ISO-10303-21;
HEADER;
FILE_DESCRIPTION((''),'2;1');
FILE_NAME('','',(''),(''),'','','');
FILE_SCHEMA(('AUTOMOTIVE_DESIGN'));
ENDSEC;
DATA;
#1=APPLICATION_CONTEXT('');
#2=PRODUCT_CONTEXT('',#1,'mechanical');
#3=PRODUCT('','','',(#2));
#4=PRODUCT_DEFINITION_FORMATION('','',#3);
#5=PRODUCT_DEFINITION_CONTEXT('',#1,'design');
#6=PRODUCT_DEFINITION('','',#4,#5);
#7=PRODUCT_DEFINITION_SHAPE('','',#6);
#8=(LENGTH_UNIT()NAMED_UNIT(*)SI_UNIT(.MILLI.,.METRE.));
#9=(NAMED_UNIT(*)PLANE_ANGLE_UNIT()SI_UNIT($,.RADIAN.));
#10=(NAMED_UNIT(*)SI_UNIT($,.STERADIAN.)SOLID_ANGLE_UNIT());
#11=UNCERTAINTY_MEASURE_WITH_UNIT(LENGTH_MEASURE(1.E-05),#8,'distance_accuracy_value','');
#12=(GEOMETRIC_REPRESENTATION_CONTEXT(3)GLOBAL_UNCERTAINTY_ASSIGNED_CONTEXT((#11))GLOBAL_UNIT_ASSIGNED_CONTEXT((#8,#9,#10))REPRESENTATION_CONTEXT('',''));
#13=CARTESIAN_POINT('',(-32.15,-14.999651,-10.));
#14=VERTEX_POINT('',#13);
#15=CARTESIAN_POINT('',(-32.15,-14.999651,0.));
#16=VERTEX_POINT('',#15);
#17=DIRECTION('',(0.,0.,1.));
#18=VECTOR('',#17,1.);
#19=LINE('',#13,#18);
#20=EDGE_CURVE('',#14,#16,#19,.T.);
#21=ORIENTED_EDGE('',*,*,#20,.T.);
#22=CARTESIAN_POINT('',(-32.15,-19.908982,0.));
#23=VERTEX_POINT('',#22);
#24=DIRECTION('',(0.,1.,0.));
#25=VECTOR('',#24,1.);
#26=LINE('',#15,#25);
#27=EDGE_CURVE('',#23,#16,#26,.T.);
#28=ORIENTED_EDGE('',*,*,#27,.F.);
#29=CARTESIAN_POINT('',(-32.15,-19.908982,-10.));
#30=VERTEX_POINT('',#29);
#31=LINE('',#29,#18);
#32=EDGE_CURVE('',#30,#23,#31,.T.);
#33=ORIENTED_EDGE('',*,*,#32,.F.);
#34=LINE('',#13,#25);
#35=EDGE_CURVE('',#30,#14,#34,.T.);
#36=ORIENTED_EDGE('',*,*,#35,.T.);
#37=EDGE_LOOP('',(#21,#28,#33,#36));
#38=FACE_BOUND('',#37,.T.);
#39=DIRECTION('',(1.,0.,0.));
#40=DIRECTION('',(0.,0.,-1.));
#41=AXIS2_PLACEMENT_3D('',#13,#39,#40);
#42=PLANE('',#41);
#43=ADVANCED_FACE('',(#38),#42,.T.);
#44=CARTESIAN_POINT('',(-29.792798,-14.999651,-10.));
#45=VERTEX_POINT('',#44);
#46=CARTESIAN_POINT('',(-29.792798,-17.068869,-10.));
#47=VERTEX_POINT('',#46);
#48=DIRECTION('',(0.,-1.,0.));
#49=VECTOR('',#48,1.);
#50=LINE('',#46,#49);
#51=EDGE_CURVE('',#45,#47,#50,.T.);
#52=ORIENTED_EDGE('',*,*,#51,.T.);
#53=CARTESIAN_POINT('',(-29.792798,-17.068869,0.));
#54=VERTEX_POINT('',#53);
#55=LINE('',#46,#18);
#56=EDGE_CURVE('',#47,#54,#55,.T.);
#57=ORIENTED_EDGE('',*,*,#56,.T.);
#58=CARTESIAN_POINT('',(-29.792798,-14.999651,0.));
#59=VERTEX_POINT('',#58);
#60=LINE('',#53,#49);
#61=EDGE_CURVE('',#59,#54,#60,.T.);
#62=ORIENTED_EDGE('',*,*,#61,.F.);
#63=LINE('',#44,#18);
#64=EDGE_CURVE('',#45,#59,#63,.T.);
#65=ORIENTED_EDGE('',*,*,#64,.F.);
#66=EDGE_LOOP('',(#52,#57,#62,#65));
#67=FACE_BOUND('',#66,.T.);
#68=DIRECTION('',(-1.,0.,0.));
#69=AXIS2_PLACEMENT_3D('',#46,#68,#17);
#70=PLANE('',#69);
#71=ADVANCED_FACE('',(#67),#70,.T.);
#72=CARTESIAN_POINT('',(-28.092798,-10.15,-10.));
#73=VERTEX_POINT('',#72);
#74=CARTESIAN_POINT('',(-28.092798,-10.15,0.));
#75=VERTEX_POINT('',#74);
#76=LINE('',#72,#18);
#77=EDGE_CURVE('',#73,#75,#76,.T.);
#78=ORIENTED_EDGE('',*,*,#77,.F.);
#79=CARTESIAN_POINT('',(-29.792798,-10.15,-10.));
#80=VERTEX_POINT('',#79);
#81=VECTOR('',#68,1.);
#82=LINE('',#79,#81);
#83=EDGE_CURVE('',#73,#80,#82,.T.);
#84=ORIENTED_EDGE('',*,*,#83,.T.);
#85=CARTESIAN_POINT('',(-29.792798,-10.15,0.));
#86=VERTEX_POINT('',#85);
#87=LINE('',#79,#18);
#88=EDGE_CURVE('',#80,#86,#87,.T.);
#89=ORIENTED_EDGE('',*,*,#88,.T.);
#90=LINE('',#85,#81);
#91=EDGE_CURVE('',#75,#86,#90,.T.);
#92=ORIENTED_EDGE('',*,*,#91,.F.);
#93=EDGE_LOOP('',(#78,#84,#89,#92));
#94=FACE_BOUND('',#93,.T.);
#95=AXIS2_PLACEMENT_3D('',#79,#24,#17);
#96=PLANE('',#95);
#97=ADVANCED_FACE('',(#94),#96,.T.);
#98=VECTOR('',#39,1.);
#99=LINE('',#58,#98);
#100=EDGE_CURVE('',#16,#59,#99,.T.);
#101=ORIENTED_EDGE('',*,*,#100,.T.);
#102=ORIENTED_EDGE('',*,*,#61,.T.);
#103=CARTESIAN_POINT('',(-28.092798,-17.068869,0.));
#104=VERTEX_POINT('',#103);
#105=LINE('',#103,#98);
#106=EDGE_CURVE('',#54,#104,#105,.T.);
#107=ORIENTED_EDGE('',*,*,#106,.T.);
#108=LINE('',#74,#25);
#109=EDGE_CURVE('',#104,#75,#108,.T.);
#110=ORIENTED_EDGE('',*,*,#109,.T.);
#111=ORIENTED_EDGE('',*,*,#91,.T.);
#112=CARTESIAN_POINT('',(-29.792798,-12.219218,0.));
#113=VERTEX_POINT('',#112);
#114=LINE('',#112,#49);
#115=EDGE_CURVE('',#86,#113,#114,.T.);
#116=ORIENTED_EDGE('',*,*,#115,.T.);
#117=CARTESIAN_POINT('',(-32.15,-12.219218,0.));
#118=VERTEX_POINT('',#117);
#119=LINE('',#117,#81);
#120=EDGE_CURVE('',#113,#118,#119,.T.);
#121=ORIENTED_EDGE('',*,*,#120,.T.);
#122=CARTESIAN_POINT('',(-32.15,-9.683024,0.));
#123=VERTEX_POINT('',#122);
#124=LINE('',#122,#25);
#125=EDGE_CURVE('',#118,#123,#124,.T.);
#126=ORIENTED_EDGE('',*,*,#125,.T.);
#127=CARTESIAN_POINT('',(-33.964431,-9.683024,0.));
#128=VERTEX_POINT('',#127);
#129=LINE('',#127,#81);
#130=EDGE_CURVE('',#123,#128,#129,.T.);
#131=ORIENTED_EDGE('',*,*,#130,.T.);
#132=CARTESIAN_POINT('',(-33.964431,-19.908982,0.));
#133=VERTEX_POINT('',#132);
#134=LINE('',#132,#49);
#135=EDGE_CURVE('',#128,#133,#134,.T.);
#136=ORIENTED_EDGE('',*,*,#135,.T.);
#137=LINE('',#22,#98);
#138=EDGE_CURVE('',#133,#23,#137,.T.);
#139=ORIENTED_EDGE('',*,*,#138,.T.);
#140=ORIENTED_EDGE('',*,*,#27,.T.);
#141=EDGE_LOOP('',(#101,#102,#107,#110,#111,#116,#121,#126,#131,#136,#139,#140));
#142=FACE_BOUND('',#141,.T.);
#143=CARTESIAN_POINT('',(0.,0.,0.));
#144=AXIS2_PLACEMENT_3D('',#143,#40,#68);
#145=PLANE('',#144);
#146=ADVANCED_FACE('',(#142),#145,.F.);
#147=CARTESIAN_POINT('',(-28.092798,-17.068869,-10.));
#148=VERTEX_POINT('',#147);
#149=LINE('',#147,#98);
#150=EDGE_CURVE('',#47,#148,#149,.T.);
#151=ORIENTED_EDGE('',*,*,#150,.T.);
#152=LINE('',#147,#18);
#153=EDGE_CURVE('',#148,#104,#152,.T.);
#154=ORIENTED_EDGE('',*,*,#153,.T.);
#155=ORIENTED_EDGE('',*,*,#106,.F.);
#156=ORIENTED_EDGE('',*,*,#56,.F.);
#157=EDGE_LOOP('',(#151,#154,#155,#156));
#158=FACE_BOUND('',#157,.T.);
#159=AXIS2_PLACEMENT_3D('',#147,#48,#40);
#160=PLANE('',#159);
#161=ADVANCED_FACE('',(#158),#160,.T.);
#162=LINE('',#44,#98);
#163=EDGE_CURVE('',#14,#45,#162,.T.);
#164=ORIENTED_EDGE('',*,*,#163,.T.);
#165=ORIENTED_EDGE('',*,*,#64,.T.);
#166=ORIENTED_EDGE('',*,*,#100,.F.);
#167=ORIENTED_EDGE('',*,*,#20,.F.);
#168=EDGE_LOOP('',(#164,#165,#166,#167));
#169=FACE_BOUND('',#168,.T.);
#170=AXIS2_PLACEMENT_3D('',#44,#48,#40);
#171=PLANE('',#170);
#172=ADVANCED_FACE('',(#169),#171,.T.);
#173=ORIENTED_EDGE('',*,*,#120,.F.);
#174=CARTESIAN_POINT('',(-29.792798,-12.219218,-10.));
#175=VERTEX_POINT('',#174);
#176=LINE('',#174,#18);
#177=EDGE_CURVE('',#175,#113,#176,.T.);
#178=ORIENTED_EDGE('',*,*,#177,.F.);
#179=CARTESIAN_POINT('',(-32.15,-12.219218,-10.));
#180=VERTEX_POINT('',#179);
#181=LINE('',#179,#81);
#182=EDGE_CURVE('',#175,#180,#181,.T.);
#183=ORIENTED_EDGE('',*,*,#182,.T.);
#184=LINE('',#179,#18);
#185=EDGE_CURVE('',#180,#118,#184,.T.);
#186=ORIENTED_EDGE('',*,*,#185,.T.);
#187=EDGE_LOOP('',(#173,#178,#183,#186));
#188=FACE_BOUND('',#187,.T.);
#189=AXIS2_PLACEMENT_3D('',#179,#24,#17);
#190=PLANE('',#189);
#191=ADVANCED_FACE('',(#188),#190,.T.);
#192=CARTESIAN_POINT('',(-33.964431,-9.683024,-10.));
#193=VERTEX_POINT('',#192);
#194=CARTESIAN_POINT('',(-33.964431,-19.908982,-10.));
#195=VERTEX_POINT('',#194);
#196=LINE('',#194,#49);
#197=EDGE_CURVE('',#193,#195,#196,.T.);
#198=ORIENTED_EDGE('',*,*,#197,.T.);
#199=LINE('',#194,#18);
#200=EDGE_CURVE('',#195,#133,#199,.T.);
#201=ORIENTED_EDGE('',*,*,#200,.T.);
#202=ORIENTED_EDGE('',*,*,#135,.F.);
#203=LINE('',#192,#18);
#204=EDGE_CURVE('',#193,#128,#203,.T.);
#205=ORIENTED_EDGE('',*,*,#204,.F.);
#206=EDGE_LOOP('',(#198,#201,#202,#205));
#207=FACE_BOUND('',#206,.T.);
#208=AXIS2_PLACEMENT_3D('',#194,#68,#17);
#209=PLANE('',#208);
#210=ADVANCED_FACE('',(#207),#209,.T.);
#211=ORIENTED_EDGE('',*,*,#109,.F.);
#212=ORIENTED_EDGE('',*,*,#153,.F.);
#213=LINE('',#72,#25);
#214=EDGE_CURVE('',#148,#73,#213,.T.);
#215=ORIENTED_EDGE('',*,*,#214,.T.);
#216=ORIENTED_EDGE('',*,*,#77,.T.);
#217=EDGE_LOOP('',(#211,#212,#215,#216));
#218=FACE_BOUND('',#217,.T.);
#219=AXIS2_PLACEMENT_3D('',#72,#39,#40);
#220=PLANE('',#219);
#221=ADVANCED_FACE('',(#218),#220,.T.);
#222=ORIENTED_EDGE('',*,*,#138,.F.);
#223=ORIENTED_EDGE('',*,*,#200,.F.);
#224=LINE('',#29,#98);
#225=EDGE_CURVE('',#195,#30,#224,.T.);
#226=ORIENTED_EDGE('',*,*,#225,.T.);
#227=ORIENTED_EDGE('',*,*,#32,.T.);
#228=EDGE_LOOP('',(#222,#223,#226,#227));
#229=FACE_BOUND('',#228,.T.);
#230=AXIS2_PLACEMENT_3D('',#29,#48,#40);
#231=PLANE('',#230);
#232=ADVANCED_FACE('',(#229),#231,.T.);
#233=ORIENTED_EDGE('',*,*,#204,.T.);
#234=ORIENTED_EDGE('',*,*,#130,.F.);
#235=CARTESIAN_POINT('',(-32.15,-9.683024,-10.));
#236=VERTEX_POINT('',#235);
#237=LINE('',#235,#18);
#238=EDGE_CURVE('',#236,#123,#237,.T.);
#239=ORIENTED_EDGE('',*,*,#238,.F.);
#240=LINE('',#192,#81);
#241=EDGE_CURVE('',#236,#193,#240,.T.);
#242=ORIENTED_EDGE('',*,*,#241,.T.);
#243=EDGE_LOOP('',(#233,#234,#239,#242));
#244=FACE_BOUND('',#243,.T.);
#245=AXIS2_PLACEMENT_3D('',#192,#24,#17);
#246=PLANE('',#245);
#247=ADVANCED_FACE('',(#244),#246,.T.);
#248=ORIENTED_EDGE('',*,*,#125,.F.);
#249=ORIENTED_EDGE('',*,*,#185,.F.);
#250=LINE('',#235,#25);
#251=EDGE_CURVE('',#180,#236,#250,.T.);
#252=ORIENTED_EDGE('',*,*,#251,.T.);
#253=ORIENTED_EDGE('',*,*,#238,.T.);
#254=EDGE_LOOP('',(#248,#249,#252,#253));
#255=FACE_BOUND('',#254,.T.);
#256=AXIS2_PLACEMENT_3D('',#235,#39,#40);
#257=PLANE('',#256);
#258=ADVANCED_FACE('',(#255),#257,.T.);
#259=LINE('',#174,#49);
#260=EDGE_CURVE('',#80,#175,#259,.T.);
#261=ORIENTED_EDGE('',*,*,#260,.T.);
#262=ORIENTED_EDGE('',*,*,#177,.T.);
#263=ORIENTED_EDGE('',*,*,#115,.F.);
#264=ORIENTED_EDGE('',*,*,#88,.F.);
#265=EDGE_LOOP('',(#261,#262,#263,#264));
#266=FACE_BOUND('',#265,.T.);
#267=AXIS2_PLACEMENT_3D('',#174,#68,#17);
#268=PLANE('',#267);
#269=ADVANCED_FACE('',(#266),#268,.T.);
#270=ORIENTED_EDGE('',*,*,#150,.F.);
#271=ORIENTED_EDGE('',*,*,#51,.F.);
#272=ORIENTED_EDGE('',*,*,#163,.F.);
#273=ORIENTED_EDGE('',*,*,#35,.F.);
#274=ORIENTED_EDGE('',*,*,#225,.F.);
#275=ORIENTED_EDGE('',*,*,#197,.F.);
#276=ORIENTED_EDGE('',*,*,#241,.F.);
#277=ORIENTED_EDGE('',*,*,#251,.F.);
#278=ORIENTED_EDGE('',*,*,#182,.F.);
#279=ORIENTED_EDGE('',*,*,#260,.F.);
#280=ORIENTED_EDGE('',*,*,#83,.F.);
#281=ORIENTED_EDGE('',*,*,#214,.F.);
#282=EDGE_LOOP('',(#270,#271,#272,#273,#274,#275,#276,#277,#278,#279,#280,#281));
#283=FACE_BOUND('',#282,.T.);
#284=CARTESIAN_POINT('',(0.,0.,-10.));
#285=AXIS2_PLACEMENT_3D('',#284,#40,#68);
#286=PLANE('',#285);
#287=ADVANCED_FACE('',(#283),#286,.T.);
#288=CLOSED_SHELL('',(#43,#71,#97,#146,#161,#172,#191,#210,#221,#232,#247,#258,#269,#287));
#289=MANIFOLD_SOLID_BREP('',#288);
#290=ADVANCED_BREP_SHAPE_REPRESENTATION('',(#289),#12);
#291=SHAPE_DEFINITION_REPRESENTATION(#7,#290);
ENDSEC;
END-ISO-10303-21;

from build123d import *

# Parameters (mm, degrees)
BOSS_EXTRUDE1_DEPTH = 10


with BuildPart() as part:
    # Sketch2 → Boss-Extrude1 (new body)
    with BuildSketch(Plane.XY):
        Polygon((-32.15, -9.683023841), (-32.15, -12.219217722), (-29.792797906, -12.219217722), (-29.792797906, -10.15), (-28.092797906, -10.15), (-28.092797906, -17.068869174), (-29.792797906, -17.068869174), (-29.792797906, -14.999651452), (-32.15, -14.999651452), (-32.15, -19.908982177), (-33.964430759, -19.908982177), (-33.964430759, -9.683023841), align=None)
    extrude(amount=-BOSS_EXTRUDE1_DEPTH)


solid = part.part
